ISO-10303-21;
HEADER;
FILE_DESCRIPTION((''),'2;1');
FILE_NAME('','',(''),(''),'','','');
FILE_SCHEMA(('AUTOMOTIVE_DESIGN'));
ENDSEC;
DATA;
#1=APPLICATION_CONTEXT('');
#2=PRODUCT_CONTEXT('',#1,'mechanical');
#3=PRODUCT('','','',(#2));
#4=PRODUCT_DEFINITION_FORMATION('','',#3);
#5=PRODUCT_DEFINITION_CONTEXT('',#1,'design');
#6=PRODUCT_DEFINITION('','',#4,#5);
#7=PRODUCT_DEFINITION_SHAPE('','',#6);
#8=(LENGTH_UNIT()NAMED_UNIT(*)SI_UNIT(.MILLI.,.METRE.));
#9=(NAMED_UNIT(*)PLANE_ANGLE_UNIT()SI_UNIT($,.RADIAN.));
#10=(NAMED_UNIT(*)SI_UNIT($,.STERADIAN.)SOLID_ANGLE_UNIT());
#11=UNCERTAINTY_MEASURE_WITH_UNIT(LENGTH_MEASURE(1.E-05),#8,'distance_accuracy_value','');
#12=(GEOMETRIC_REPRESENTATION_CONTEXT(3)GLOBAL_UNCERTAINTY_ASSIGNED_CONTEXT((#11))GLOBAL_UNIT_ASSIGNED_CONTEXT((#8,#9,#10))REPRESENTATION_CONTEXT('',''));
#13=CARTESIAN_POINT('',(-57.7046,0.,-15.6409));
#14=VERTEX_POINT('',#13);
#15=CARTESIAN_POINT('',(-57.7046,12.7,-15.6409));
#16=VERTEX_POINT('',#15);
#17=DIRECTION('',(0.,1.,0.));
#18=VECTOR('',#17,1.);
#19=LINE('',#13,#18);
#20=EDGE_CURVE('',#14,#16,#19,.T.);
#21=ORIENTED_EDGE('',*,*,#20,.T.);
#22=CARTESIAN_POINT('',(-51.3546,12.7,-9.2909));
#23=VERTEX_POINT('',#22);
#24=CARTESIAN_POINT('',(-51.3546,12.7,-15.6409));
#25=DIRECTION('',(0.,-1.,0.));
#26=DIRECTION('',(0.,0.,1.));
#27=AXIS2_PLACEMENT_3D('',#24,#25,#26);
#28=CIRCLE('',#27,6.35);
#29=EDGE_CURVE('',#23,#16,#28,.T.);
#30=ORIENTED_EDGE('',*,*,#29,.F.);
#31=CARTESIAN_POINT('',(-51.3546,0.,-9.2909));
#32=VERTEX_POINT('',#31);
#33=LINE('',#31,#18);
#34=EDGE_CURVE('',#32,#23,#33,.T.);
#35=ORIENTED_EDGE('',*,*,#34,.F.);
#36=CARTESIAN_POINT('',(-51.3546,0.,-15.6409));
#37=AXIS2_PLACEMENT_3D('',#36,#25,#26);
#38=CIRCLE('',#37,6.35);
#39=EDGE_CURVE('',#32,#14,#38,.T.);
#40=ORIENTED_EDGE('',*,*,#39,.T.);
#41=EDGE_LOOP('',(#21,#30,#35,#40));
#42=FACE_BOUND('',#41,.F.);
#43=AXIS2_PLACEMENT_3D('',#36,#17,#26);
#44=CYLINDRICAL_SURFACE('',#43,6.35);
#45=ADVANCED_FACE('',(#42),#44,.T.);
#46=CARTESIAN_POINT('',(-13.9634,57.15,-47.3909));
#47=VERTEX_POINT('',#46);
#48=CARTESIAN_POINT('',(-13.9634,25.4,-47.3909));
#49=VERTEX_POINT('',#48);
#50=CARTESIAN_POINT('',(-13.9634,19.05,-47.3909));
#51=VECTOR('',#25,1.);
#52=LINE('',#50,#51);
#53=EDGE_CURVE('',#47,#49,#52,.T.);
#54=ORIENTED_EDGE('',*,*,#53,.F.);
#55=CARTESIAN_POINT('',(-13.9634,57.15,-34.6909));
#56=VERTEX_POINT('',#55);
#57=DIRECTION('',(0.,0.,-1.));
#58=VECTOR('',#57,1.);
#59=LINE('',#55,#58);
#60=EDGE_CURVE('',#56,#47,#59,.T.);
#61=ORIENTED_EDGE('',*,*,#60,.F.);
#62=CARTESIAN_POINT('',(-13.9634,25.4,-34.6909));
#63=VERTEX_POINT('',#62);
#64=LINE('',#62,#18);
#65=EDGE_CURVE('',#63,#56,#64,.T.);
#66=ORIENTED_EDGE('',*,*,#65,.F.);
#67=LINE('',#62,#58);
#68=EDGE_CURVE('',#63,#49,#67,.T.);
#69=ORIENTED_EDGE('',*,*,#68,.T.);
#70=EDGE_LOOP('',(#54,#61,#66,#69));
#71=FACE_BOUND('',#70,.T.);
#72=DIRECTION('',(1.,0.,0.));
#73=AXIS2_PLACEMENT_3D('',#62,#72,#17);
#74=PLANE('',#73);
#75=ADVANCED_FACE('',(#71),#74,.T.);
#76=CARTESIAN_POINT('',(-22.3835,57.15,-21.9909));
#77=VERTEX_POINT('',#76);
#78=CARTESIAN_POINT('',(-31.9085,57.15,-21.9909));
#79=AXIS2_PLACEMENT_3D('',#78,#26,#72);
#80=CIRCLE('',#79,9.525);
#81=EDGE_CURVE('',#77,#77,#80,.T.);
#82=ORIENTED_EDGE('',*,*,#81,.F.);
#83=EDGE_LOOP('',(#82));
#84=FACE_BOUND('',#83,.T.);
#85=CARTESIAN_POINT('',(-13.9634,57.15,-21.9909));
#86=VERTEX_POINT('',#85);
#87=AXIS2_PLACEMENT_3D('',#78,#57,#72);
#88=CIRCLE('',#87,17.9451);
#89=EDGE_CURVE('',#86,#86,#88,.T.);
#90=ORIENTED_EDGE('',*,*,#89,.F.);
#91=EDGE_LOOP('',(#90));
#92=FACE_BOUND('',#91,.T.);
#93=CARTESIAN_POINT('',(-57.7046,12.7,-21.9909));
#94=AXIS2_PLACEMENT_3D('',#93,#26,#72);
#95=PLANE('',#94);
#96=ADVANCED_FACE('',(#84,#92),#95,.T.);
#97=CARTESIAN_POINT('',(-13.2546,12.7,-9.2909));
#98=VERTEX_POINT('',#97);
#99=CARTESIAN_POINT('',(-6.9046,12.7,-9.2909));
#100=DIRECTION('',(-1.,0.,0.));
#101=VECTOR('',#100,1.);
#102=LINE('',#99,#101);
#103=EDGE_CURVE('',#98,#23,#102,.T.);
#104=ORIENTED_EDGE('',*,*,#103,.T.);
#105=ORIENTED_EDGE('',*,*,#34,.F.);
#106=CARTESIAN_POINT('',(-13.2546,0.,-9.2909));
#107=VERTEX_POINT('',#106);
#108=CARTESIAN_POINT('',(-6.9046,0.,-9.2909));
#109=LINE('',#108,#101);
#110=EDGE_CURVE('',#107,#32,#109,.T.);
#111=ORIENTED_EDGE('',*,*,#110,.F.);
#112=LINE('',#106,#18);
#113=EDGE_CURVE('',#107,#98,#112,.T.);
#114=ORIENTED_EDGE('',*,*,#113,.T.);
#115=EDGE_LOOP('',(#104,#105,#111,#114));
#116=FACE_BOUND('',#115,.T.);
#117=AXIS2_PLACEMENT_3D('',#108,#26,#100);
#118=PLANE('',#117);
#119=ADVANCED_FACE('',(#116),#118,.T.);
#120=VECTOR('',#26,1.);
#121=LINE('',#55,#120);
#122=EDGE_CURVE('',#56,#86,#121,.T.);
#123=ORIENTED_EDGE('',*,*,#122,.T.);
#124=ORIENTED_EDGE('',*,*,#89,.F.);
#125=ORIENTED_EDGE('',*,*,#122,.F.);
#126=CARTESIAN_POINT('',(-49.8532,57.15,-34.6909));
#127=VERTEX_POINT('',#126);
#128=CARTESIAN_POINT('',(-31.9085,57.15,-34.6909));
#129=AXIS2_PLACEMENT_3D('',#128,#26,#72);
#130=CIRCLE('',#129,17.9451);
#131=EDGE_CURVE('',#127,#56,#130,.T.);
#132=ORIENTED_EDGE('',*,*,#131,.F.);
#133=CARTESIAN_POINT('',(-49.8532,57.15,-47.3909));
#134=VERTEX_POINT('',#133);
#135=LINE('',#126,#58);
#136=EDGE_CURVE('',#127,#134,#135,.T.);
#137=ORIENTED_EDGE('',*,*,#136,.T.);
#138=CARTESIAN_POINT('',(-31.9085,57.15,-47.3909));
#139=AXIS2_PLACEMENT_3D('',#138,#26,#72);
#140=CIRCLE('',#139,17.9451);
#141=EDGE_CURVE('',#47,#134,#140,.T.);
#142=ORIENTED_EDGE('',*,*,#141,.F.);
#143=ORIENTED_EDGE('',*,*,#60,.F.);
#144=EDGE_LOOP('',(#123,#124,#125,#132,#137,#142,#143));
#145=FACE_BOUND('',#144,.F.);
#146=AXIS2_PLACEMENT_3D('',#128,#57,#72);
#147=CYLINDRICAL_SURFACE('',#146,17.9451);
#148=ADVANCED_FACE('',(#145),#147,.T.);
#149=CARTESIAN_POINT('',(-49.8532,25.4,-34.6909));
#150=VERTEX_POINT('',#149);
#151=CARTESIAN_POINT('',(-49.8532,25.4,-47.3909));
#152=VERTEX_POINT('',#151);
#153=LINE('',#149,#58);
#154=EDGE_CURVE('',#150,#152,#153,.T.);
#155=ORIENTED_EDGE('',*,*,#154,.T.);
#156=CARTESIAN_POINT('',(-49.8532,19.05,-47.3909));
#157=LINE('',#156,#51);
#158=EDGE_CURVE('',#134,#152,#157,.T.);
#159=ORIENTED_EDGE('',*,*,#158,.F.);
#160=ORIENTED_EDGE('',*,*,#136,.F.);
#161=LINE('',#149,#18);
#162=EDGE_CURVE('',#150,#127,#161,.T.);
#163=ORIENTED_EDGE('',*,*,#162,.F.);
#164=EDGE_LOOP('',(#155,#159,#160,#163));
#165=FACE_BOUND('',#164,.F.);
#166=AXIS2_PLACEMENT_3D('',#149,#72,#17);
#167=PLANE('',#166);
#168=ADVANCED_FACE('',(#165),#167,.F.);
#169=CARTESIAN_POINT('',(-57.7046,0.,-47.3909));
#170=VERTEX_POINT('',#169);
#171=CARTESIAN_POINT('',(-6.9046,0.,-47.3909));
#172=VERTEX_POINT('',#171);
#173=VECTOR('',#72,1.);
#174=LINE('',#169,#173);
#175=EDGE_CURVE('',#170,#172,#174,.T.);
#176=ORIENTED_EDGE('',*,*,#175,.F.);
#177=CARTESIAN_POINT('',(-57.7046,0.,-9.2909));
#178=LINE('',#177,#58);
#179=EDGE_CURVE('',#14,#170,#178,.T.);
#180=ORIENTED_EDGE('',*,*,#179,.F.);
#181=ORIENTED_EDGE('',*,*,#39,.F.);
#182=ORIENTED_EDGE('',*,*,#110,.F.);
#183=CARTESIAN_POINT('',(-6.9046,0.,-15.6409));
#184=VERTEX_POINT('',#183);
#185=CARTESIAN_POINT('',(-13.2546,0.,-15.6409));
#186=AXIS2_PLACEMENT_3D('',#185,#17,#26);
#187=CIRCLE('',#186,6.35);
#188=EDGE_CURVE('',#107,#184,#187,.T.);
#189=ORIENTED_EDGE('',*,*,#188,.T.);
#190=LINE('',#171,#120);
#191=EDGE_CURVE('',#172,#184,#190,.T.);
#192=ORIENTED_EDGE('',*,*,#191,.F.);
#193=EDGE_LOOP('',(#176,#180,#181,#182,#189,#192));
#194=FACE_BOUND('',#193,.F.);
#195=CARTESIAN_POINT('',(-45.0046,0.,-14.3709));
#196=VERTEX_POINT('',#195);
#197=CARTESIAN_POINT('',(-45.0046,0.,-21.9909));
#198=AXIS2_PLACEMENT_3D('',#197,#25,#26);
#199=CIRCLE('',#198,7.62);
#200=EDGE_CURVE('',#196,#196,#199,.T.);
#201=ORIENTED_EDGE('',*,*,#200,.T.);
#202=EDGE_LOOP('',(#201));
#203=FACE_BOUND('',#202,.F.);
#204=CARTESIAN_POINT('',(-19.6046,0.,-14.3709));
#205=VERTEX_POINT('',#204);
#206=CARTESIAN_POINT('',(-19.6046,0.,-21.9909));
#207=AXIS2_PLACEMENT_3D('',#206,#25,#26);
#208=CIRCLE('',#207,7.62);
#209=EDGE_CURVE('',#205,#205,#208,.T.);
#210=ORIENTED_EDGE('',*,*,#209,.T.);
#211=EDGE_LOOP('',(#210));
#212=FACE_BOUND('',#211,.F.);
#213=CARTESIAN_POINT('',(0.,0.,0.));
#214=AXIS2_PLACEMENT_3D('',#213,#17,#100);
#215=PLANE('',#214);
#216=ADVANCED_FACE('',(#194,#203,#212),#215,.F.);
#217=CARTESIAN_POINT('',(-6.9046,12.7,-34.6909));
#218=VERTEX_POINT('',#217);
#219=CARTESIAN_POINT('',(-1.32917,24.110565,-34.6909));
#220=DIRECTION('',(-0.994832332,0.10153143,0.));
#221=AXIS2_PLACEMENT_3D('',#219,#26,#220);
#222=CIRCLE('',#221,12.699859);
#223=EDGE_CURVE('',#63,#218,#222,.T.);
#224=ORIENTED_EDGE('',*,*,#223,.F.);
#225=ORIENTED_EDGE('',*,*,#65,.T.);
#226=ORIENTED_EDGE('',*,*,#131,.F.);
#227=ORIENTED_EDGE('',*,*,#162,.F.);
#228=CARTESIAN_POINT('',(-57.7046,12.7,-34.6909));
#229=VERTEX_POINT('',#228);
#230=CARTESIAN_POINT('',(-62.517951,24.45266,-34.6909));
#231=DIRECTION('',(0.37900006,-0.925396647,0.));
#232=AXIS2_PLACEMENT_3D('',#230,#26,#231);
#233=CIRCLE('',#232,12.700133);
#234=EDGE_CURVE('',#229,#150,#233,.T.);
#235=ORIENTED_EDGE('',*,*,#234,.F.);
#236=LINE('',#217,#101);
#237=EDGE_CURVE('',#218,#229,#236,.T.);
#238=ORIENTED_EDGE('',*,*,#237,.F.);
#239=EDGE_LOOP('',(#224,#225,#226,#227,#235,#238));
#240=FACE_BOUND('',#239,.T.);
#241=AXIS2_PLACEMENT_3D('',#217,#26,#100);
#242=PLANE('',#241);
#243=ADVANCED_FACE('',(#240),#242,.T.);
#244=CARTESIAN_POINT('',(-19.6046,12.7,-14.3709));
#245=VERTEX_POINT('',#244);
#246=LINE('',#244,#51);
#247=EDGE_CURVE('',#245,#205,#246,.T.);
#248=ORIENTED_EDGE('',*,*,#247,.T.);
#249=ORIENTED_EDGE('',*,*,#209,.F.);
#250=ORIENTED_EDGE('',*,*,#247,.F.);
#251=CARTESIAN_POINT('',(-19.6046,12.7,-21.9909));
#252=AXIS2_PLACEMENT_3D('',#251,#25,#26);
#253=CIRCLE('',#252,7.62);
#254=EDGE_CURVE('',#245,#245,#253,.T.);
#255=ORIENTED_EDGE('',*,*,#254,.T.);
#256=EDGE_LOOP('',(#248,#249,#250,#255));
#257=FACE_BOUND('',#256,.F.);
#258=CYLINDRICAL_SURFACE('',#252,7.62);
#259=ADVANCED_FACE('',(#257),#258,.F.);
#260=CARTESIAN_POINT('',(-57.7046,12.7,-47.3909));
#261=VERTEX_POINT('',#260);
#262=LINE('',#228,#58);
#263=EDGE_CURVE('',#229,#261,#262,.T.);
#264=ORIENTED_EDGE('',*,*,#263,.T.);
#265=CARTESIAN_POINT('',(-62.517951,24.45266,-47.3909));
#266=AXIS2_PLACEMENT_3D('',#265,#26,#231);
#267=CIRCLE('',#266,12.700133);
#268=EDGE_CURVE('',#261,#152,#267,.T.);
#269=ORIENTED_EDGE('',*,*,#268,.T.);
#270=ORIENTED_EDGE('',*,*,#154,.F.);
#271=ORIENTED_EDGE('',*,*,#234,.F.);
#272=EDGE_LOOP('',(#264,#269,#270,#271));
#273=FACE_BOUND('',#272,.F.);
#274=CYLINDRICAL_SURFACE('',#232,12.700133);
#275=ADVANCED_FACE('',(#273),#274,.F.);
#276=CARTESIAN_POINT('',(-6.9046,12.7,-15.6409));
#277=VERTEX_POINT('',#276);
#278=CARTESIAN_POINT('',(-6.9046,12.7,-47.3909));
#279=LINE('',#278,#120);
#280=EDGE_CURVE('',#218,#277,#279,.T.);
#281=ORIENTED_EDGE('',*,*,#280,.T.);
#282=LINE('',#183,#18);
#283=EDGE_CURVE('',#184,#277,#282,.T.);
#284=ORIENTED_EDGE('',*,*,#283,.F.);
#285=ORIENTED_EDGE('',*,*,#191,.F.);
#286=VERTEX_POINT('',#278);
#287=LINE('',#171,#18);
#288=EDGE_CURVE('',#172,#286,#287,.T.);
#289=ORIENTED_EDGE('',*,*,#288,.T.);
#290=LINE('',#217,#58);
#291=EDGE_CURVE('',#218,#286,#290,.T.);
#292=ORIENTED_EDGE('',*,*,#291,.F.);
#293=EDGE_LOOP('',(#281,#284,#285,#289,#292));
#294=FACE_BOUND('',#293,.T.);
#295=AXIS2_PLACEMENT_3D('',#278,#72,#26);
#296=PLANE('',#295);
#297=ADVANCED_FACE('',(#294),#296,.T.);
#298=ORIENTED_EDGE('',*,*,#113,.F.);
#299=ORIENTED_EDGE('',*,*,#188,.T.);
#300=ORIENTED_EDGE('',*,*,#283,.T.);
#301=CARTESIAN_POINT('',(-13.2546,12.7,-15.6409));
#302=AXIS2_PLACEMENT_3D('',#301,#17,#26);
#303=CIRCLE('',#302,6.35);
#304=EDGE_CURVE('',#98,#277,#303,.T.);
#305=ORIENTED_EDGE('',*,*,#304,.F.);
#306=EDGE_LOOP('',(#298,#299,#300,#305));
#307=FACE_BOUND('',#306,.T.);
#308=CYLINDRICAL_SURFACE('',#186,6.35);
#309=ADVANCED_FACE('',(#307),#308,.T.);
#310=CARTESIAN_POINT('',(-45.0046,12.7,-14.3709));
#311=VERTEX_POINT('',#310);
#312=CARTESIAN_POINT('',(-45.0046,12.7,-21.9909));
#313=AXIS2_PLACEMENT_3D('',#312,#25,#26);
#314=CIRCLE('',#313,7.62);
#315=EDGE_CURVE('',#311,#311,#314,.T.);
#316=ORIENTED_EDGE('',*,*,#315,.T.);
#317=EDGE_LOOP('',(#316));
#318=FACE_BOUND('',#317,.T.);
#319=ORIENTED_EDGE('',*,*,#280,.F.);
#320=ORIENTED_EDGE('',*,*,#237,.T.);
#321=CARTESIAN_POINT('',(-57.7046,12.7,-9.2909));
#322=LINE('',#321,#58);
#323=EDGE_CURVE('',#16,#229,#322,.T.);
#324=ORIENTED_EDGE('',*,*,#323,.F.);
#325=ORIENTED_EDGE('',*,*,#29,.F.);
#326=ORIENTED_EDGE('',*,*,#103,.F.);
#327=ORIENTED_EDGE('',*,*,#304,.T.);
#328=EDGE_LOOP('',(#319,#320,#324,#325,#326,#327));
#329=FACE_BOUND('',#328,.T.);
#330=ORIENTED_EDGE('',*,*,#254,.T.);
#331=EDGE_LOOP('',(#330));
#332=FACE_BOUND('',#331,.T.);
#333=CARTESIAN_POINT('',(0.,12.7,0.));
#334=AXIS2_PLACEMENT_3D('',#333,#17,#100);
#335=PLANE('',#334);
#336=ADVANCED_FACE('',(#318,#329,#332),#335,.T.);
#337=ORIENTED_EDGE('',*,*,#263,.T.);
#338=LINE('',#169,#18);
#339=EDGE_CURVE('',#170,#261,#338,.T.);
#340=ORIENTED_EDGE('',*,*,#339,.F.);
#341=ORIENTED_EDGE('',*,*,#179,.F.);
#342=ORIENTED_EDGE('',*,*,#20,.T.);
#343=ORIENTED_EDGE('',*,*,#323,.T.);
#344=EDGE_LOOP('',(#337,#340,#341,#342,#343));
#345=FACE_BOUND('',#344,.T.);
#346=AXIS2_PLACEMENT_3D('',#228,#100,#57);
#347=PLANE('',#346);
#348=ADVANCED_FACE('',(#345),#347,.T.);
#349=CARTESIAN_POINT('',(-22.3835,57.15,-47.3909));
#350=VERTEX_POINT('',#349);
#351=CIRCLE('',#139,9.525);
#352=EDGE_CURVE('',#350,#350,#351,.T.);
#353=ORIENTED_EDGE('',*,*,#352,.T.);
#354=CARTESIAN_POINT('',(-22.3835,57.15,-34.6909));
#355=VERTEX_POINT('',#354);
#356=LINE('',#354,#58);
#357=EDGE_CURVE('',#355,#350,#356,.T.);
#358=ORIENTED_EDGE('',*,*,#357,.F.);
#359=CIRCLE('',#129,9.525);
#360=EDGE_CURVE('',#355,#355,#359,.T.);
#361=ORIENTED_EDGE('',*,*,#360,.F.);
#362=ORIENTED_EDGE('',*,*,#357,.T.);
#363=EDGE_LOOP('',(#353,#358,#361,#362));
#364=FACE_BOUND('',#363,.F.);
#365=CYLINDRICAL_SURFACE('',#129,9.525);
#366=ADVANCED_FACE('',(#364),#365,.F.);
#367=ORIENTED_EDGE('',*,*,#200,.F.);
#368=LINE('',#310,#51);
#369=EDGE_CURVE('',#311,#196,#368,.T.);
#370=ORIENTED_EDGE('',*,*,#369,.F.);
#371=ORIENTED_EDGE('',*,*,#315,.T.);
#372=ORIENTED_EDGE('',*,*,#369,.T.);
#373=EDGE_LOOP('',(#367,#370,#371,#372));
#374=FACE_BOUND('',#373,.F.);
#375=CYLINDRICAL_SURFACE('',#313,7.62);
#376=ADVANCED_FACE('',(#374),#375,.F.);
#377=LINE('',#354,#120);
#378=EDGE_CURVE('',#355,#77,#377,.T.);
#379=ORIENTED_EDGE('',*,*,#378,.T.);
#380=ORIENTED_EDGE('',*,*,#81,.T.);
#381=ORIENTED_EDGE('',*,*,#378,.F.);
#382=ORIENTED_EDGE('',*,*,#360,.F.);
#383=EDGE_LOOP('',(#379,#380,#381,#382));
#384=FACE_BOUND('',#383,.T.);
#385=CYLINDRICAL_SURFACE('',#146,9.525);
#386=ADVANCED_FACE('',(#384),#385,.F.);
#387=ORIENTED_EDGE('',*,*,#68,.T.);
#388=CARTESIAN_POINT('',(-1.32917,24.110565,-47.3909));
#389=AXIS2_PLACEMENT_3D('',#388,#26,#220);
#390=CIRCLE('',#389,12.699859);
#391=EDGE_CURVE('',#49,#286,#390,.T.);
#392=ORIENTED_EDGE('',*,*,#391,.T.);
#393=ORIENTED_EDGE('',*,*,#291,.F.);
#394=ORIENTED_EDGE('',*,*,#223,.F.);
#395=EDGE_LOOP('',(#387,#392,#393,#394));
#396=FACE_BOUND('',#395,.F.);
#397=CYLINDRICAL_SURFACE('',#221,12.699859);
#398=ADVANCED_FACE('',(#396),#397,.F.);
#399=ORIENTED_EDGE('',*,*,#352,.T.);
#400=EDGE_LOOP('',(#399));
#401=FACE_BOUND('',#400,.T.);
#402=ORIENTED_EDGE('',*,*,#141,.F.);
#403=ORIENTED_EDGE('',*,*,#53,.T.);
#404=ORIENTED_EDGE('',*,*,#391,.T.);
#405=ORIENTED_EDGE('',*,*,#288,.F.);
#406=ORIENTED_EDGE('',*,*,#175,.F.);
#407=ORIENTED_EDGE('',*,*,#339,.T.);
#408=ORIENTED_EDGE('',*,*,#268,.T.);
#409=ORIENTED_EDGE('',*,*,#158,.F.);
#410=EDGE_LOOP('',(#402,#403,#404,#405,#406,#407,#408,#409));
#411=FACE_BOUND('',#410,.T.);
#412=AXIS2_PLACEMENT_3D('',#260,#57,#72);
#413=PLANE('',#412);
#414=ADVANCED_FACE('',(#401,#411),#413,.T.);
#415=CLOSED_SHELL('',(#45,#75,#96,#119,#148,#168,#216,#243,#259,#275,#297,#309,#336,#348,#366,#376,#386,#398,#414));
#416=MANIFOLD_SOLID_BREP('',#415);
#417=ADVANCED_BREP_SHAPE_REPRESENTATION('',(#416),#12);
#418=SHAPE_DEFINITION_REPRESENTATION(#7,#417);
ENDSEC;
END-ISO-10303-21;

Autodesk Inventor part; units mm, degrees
ref_plane "YZ Plane" through (0, 0, 0) normal (1, 0, 0) x (0, 1, 0)
ref_plane "XZ Plane" through (0, 0, 0) normal (0, 1, 0) x (-1, 0, 0)
ref_plane "XY Plane" through (0, 0, 0) normal (0, 0, 1) x (1, 0, 0)
sketch "Sketch1" plane through (0, 0, 0) normal (0, 1, 0) x (-1, 0, 0)
  line L0 (6.9046, -9.2909) -> (57.7046, -9.2909)
  line L1 (57.7046, -9.2909) -> (57.7046, -47.3909)
  line L2 (57.7046, -47.3909) -> (6.9046, -47.3909)
  line L3 (6.9046, -47.3909) -> (6.9046, -9.2909)
  point P0 (0, 0)
  dimension "d0" = 50.8
  dimension "d1" = 38.1
extrude "Extrusion1" add sketch "Sketch1" along normal blind 12.7
fillet "Fillet1" radius 6.35 2 edges at (-6.9046, 6.35, -9.2909) (-57.7046, 6.35, -9.2909)
sketch "Sketch2" plane through (0, 12.7, 0) normal (0, 1, 0) x (1, 0, 0)
  point P0 (0, 0)
  point P1 (-19.6046, 21.9909)
  point P2 (-45.0046, 21.9909)
sketch "Sketch3" plane through (0, 12.7, 0) normal (0, 1, 0) x (1, 0, 0)
  line L0 (-6.9046, 47.3909) -> (-6.9046, 15.6409) projected
  line L1 (-57.7046, 47.3909) -> (-6.9046, 47.3909)
  line L2 (-6.9046, 47.3909) -> (-6.9046, 34.6909)
  line L3 (-6.9046, 34.6909) -> (-57.7046, 34.6909)
  line L4 (-57.7046, 34.6909) -> (-57.7046, 47.3909)
  point P0 (0, 0)
  dimension "d16" = 12.7
extrude "Extrusion2" add sketch "Sketch3" along normal blind 63.5
sketch "Sketch4" plane through (-57.7046, 12.7, -34.6909) normal (0, 0, 1) x (1, 0, 0)
  line L0 (0, 0) -> (6.35, 0) projected
  arc A0 (43.7412, 12.7) -> (50.8, 0) centre (56.3756, 11.4106) ccw
  line L1 (43.7412, 12.7) -> (43.7412, 44.45)
  line L2 (44.45, 0) -> (50.8, 0) projected
  arc A1 (0, 0) -> (7.8514, 12.7) centre (-4.8133, 11.7526) ccw
  line L3 (7.8514, 12.7) -> (7.8514, 44.45)
  circle A2 centre (25.7961, 44.45) radius 17.9451
  circle A3 centre (25.7961, 44.45) radius 9.525
  line L4 (0, 0) -> (50.8, 0)
  arc A4 (43.7412, 44.45) -> (7.8514, 44.45) centre (25.7963, 44.45) ccw
  arc A5 (7.8514, 44.45) -> (43.7412, 44.45) centre (25.7963, 44.45) ccw
  line L5 (0, 0) -> (0, 63.5)
  line L6 (0, -12.7) -> (0, 63.5) projected
  line L7 (0, 63.5) -> (50.8, 63.5)
  line L8 (50.8, 63.5) -> (50.8, 0)
  line L9 (50.8, -12.7) -> (50.8, 63.5) projected
  point P0 (57.7046, -12.7)
extrude "Extrusion3" cut sketch "Sketch4" against normal blind 25.4 contours L5 L7 L8 A0 L1 A2 L3 A1
extrude "Extrusion4" cut sketch "Sketch4" against normal blind 25.4 contours A3
extrude "Extrusion5" add sketch "Sketch4" along normal blind 12.7 contours A2
hole "Hole2" at (-19.6046, 12.7, -21.9909) at (-45.0046, 12.7, -21.9909) direction (0, -1, 0) diameter 15.24 end through all
properties part number "7.1 Part 5"
